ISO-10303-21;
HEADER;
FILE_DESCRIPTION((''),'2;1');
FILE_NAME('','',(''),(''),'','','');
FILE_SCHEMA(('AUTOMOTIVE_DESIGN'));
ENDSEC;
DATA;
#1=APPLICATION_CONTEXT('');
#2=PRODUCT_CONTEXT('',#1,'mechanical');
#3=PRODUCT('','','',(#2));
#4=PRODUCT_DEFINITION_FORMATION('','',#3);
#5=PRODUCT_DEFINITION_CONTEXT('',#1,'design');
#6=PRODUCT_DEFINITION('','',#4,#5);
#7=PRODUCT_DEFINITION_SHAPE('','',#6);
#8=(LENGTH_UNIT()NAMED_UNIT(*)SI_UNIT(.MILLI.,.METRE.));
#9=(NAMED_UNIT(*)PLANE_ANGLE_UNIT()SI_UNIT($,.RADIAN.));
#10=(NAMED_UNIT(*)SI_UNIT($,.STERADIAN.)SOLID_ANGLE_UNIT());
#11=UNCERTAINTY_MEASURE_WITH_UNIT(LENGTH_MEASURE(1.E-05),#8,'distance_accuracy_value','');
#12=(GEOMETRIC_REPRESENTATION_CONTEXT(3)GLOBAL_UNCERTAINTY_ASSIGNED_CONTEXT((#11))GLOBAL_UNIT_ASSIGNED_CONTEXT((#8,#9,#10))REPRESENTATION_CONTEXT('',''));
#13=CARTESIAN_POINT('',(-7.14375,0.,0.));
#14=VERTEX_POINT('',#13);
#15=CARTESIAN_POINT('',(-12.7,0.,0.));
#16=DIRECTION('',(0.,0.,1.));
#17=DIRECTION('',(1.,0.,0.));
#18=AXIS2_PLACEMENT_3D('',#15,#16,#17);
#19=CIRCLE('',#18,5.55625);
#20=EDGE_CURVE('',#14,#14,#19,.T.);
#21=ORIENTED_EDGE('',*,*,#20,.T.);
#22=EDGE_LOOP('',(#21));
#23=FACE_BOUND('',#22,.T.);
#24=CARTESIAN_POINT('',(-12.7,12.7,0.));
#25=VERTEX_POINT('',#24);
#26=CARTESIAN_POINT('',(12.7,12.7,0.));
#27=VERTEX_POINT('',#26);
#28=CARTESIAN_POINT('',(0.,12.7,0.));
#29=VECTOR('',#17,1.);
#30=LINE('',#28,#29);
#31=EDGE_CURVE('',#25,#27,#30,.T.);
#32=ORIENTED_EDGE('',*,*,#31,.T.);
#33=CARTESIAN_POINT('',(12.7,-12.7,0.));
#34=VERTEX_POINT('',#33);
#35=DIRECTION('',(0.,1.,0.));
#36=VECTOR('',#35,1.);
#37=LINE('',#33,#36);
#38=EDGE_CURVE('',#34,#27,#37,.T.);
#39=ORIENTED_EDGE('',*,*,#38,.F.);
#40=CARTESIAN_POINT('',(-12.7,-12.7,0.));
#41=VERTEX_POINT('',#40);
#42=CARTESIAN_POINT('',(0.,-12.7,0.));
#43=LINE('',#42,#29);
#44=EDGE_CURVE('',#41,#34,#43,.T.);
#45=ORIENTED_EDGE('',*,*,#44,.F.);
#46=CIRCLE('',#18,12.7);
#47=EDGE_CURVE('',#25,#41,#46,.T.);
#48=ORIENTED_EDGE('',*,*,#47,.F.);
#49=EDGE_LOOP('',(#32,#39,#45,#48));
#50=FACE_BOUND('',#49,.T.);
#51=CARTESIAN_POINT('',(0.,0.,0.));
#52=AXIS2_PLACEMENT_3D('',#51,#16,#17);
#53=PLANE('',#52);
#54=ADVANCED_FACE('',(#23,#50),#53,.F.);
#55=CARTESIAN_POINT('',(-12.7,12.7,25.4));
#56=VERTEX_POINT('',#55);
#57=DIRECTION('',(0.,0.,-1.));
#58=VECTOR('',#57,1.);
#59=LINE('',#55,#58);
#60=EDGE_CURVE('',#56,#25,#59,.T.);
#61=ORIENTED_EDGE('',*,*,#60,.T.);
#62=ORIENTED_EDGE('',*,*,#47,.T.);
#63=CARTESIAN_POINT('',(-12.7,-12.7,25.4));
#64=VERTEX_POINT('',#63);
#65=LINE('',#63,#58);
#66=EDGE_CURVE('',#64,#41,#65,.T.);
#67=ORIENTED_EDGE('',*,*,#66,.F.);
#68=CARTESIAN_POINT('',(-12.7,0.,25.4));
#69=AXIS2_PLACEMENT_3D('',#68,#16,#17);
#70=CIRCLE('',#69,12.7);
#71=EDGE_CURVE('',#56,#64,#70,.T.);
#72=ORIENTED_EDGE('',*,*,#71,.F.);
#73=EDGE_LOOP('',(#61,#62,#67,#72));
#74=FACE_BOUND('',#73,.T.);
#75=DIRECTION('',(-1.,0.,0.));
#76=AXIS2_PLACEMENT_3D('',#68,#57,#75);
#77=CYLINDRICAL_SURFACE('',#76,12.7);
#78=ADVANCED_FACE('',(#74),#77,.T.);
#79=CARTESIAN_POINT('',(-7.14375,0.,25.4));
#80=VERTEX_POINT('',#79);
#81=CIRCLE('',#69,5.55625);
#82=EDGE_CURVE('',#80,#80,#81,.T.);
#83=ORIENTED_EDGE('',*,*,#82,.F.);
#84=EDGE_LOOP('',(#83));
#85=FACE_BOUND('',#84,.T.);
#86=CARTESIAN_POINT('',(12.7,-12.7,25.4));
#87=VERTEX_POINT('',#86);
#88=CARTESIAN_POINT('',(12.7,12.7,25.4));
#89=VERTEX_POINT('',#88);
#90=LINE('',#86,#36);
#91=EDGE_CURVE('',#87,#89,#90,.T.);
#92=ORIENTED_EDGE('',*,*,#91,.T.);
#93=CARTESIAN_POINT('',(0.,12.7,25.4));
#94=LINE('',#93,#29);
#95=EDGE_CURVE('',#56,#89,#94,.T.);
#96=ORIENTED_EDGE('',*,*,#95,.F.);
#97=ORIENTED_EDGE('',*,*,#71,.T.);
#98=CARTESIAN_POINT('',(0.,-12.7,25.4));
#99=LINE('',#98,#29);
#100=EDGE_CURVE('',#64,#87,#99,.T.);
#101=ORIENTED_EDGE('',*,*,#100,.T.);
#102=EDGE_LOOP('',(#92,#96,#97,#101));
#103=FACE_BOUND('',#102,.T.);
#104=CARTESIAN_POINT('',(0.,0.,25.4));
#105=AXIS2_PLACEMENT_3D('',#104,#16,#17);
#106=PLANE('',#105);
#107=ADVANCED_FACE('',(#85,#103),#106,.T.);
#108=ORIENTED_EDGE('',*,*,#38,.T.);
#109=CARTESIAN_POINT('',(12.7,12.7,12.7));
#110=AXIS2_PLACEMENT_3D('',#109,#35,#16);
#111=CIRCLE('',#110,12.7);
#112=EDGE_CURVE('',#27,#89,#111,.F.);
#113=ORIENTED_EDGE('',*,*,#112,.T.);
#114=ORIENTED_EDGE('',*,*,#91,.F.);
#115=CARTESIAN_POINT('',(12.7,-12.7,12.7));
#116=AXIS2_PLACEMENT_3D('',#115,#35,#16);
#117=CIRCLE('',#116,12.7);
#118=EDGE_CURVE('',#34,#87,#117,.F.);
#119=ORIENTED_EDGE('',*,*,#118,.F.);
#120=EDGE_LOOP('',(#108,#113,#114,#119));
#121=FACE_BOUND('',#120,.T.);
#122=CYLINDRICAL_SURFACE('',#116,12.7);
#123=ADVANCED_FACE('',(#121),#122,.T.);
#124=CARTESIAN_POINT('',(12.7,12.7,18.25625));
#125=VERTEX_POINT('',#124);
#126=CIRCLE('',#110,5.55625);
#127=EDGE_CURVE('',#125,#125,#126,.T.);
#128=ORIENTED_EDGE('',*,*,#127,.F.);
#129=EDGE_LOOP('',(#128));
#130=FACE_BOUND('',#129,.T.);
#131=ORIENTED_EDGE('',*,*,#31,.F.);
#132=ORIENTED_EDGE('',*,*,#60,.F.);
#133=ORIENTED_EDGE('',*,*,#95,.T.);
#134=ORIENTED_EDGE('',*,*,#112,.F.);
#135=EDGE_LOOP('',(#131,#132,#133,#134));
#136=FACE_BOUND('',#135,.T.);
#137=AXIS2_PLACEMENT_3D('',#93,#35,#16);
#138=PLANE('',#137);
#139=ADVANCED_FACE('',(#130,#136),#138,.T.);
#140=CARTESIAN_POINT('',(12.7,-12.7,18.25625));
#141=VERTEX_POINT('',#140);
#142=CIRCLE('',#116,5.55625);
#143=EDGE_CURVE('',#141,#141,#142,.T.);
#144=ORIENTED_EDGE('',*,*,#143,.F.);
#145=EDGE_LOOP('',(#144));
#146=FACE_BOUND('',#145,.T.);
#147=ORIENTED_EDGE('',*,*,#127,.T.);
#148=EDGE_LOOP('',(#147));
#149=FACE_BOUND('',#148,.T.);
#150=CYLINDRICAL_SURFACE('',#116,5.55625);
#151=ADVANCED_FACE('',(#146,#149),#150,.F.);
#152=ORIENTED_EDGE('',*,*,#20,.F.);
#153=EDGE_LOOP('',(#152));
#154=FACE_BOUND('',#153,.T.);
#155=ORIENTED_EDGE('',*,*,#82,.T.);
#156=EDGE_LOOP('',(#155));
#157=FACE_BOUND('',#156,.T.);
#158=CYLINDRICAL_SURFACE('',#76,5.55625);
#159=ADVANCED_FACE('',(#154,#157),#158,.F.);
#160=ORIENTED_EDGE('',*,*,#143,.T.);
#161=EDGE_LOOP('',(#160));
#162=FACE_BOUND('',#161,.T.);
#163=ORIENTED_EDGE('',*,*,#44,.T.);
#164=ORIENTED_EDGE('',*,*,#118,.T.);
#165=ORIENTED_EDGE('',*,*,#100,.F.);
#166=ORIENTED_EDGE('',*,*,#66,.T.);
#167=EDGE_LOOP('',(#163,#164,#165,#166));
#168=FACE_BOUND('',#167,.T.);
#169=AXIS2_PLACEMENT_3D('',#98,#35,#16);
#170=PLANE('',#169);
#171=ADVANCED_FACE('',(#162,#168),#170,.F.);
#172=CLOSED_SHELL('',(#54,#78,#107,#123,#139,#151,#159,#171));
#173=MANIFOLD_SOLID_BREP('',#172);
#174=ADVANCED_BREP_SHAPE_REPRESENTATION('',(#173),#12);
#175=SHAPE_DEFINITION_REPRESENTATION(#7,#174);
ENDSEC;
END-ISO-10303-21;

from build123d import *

# Parameters (mm, degrees)
SKETCH1_R               = 5.55625
BOSS_EXTRUDE1_DEPTH     = 25.4
CUT_EXTRUDE1_DEPTH      = 44.994090512
CUT_EXTRUDE1_DEPTH_BACK = 44.994090512
SKETCH2_R               = 5.55625


with BuildPart() as part:
    # Sketch1 → Boss-Extrude1 (new body)
    with BuildSketch(Plane.XY):
        with BuildLine():
            ThreePointArc((-25.4, 0), (-21.680256121, -8.980256121), (-12.7, -12.7))
            Line((-12.7, -12.7), (25.4, -12.7))
            Line((25.4, -12.7), (25.4, 12.7))
            Line((25.4, 12.7), (-12.7, 12.7))
            ThreePointArc((-12.7, 12.7), (-21.680256121, 8.980256121), (-25.4, 0))
        make_face()
        with Locations((-12.7, 0)):
            Circle(SKETCH1_R, mode=Mode.SUBTRACT)
    extrude(amount=BOSS_EXTRUDE1_DEPTH)

    # Sketch2 → Cut-Extrude1 (cut, two sides: drawn at the far end of the back side and taken through both)
    with BuildSketch(Plane(origin=(0, 12.7, 0), x_dir=(1, 0, 0), z_dir=(0, 1, 0)).offset(-CUT_EXTRUDE1_DEPTH_BACK)):
        with Locations(Location((12.7, -12.7, 0), (0, 0, 270))):
            Circle(SKETCH2_R)
        with BuildLine():
            Line((25.4, 0), (12.7, 0))
            ThreePointArc((12.7, 0), (21.680256121, -3.719743879), (25.4, -12.7))
            Line((25.4, -12.7), (25.4, 0))
        make_face()
        with BuildLine():
            Line((25.4, -25.4), (25.4, -12.7))
            ThreePointArc((25.4, -12.7), (21.680256121, -21.680256121), (12.7, -25.4))
            Line((12.7, -25.4), (25.4, -25.4))
        make_face()
    extrude(amount=CUT_EXTRUDE1_DEPTH + CUT_EXTRUDE1_DEPTH_BACK, mode=Mode.SUBTRACT)


solid = part.part
